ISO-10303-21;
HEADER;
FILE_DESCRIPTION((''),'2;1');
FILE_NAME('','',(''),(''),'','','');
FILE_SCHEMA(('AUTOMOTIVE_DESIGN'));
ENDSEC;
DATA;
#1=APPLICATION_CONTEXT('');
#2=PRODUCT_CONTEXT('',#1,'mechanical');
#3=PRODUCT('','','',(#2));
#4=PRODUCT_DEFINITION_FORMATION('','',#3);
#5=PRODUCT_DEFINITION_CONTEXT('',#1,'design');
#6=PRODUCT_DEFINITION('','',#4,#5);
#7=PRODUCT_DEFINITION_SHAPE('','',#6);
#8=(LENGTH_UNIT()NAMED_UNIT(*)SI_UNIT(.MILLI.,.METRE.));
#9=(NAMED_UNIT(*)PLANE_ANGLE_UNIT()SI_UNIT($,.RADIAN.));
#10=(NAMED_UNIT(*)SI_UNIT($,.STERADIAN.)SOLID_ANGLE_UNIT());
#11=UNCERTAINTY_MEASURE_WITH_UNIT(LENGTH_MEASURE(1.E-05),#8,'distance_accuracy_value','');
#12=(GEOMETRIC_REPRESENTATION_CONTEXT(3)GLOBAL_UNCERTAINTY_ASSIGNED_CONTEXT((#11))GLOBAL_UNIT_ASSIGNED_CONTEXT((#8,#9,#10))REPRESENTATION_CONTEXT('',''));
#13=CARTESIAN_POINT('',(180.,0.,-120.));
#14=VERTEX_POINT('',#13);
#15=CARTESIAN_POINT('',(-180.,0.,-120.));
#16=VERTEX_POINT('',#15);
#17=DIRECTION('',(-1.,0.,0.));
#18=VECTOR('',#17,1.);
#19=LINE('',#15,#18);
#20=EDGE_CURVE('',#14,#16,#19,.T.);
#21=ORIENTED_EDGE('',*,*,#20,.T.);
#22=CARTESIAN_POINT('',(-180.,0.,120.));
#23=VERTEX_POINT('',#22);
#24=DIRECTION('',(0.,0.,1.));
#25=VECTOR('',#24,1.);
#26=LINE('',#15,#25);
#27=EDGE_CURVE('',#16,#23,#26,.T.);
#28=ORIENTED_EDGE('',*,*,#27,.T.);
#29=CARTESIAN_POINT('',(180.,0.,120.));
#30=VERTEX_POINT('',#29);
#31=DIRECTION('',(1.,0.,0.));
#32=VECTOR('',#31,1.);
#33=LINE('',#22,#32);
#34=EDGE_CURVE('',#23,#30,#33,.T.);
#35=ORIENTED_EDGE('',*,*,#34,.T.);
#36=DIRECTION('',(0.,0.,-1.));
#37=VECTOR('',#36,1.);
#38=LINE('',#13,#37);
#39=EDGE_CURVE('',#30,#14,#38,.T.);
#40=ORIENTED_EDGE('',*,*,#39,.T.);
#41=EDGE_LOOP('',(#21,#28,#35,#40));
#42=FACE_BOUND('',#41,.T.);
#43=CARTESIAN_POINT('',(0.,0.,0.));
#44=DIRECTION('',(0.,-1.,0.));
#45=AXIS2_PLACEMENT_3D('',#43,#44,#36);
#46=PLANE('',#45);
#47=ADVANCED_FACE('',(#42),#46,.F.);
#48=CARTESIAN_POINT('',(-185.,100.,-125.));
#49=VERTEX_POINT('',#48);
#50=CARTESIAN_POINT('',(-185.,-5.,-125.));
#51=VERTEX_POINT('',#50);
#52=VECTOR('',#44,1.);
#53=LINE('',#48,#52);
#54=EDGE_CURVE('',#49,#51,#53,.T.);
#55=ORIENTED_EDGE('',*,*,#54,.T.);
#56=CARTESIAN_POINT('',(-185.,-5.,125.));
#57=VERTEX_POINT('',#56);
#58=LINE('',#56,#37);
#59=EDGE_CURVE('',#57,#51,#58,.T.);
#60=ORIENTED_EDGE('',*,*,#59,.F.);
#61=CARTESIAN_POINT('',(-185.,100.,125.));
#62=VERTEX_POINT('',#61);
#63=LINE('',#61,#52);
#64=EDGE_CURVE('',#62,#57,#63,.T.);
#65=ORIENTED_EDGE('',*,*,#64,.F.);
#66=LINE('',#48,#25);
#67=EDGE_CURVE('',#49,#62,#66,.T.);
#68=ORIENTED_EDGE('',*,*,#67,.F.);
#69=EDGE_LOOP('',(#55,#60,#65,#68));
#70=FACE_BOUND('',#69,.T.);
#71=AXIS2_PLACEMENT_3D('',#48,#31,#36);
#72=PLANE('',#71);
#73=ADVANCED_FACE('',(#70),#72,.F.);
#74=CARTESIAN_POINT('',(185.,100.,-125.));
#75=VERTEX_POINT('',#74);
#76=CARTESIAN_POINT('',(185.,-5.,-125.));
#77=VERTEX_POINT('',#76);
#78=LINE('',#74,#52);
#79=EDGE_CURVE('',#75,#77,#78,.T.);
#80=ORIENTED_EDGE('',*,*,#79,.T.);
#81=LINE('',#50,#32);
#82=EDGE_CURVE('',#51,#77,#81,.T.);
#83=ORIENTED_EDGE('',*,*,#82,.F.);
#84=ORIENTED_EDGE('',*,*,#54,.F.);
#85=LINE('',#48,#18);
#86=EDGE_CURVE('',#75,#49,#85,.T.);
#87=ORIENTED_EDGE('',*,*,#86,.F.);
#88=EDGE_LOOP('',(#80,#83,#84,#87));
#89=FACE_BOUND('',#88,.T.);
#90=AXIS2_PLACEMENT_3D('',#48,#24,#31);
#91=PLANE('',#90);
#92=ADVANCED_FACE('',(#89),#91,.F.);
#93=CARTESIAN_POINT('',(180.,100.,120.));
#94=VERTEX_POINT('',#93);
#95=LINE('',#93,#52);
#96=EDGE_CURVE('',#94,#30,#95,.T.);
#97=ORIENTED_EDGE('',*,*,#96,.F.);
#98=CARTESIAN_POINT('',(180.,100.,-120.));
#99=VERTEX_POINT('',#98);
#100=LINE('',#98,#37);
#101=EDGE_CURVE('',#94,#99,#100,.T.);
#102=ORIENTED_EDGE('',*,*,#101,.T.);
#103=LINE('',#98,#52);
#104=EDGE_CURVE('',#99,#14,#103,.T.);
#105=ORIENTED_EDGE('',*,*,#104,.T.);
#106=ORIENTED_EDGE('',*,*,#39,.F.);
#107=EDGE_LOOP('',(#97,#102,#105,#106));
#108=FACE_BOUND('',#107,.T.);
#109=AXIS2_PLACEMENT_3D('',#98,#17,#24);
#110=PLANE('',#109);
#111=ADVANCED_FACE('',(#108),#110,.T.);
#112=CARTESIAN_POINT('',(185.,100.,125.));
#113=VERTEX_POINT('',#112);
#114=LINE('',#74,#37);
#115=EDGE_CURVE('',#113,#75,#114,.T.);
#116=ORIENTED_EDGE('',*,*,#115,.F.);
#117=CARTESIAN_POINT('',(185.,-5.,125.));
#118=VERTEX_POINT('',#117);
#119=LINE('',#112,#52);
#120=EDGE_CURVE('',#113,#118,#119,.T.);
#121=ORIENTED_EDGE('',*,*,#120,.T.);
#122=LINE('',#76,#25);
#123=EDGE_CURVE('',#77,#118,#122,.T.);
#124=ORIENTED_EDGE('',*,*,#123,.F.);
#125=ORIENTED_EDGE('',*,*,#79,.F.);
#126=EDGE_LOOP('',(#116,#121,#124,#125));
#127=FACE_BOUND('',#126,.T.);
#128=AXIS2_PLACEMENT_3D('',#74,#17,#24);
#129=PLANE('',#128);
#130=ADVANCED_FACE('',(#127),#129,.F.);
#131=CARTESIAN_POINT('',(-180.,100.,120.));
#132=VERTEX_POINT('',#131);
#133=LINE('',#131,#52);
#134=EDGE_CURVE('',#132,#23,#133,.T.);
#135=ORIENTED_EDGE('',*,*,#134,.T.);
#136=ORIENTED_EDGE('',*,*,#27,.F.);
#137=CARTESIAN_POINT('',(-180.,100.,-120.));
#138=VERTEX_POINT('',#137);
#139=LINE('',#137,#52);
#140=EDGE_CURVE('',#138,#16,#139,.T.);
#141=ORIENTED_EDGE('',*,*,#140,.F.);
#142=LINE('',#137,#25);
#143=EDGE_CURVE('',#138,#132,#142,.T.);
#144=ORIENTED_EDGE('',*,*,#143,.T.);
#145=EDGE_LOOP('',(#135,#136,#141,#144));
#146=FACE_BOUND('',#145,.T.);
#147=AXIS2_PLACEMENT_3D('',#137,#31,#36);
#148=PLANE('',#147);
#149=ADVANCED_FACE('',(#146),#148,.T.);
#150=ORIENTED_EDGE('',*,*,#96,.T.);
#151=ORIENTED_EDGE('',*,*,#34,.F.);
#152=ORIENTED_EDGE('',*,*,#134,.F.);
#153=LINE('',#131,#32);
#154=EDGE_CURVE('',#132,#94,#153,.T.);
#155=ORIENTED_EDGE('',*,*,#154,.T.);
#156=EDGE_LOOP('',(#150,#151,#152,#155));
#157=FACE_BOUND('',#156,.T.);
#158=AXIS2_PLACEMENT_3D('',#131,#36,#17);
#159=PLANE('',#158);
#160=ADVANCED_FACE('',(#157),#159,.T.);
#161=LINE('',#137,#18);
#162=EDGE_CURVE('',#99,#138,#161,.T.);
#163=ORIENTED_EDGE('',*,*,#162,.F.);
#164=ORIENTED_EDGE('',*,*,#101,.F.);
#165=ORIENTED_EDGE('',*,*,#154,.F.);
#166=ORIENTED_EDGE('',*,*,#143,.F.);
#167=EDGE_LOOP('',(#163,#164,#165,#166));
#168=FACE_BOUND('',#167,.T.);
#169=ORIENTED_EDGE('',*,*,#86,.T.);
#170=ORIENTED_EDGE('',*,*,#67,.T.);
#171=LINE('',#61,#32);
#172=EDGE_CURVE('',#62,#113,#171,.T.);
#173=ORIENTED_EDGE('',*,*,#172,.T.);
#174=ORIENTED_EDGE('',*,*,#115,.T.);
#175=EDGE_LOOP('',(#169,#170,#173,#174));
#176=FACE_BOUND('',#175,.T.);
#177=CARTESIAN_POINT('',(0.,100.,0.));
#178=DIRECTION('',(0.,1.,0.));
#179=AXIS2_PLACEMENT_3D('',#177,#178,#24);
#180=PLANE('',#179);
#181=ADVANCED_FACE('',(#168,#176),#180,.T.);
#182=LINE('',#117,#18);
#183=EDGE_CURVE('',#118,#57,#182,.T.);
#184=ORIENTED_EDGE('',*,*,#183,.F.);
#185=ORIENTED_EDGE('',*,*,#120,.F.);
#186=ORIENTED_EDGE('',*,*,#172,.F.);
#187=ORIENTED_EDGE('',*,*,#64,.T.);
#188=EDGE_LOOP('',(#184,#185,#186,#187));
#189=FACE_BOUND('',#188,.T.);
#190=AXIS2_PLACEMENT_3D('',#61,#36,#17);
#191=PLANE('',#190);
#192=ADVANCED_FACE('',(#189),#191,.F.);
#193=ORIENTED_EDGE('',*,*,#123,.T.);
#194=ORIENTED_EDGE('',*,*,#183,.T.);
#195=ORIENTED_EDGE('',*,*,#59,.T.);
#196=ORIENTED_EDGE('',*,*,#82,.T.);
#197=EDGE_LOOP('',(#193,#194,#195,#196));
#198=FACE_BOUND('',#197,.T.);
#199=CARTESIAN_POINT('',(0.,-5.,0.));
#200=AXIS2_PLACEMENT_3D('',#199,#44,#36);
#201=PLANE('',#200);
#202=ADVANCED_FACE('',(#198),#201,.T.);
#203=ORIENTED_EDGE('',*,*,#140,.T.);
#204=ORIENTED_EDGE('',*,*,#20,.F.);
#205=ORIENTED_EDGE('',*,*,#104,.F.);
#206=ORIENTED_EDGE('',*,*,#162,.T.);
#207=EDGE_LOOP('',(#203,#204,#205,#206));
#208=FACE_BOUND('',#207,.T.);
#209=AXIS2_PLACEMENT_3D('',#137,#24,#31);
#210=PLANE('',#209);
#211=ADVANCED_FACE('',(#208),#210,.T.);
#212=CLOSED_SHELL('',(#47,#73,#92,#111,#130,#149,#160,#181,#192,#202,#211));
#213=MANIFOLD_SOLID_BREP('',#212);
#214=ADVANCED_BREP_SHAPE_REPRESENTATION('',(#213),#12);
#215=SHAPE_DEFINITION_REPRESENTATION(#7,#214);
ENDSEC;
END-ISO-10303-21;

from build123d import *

# Parameters (mm, degrees)
SKETCH1_W           = 370
SKETCH1_H           = 250
SKETCH1_W_2         = 360
SKETCH1_H_2         = 240
BOSS_EXTRUDE1_DEPTH = 100
SKETCH2_W           = 370
SKETCH2_H           = 250
BOSS_EXTRUDE2_DEPTH = 5


with BuildPart() as part:
    # Sketch1 → Boss-Extrude1 (new body)
    with BuildSketch(Plane(origin=(0, 0, 0), x_dir=(1, 0, 0), z_dir=(0, 1, 0))):
        Rectangle(SKETCH1_W, SKETCH1_H)
        Rectangle(SKETCH1_W_2, SKETCH1_H_2, mode=Mode.SUBTRACT)
    extrude(amount=BOSS_EXTRUDE1_DEPTH)

    # Sketch2 → Boss-Extrude2 (add)
    with BuildSketch(Plane.XZ):
        Rectangle(SKETCH2_W, SKETCH2_H)
    extrude(amount=BOSS_EXTRUDE2_DEPTH)


solid = part.part
